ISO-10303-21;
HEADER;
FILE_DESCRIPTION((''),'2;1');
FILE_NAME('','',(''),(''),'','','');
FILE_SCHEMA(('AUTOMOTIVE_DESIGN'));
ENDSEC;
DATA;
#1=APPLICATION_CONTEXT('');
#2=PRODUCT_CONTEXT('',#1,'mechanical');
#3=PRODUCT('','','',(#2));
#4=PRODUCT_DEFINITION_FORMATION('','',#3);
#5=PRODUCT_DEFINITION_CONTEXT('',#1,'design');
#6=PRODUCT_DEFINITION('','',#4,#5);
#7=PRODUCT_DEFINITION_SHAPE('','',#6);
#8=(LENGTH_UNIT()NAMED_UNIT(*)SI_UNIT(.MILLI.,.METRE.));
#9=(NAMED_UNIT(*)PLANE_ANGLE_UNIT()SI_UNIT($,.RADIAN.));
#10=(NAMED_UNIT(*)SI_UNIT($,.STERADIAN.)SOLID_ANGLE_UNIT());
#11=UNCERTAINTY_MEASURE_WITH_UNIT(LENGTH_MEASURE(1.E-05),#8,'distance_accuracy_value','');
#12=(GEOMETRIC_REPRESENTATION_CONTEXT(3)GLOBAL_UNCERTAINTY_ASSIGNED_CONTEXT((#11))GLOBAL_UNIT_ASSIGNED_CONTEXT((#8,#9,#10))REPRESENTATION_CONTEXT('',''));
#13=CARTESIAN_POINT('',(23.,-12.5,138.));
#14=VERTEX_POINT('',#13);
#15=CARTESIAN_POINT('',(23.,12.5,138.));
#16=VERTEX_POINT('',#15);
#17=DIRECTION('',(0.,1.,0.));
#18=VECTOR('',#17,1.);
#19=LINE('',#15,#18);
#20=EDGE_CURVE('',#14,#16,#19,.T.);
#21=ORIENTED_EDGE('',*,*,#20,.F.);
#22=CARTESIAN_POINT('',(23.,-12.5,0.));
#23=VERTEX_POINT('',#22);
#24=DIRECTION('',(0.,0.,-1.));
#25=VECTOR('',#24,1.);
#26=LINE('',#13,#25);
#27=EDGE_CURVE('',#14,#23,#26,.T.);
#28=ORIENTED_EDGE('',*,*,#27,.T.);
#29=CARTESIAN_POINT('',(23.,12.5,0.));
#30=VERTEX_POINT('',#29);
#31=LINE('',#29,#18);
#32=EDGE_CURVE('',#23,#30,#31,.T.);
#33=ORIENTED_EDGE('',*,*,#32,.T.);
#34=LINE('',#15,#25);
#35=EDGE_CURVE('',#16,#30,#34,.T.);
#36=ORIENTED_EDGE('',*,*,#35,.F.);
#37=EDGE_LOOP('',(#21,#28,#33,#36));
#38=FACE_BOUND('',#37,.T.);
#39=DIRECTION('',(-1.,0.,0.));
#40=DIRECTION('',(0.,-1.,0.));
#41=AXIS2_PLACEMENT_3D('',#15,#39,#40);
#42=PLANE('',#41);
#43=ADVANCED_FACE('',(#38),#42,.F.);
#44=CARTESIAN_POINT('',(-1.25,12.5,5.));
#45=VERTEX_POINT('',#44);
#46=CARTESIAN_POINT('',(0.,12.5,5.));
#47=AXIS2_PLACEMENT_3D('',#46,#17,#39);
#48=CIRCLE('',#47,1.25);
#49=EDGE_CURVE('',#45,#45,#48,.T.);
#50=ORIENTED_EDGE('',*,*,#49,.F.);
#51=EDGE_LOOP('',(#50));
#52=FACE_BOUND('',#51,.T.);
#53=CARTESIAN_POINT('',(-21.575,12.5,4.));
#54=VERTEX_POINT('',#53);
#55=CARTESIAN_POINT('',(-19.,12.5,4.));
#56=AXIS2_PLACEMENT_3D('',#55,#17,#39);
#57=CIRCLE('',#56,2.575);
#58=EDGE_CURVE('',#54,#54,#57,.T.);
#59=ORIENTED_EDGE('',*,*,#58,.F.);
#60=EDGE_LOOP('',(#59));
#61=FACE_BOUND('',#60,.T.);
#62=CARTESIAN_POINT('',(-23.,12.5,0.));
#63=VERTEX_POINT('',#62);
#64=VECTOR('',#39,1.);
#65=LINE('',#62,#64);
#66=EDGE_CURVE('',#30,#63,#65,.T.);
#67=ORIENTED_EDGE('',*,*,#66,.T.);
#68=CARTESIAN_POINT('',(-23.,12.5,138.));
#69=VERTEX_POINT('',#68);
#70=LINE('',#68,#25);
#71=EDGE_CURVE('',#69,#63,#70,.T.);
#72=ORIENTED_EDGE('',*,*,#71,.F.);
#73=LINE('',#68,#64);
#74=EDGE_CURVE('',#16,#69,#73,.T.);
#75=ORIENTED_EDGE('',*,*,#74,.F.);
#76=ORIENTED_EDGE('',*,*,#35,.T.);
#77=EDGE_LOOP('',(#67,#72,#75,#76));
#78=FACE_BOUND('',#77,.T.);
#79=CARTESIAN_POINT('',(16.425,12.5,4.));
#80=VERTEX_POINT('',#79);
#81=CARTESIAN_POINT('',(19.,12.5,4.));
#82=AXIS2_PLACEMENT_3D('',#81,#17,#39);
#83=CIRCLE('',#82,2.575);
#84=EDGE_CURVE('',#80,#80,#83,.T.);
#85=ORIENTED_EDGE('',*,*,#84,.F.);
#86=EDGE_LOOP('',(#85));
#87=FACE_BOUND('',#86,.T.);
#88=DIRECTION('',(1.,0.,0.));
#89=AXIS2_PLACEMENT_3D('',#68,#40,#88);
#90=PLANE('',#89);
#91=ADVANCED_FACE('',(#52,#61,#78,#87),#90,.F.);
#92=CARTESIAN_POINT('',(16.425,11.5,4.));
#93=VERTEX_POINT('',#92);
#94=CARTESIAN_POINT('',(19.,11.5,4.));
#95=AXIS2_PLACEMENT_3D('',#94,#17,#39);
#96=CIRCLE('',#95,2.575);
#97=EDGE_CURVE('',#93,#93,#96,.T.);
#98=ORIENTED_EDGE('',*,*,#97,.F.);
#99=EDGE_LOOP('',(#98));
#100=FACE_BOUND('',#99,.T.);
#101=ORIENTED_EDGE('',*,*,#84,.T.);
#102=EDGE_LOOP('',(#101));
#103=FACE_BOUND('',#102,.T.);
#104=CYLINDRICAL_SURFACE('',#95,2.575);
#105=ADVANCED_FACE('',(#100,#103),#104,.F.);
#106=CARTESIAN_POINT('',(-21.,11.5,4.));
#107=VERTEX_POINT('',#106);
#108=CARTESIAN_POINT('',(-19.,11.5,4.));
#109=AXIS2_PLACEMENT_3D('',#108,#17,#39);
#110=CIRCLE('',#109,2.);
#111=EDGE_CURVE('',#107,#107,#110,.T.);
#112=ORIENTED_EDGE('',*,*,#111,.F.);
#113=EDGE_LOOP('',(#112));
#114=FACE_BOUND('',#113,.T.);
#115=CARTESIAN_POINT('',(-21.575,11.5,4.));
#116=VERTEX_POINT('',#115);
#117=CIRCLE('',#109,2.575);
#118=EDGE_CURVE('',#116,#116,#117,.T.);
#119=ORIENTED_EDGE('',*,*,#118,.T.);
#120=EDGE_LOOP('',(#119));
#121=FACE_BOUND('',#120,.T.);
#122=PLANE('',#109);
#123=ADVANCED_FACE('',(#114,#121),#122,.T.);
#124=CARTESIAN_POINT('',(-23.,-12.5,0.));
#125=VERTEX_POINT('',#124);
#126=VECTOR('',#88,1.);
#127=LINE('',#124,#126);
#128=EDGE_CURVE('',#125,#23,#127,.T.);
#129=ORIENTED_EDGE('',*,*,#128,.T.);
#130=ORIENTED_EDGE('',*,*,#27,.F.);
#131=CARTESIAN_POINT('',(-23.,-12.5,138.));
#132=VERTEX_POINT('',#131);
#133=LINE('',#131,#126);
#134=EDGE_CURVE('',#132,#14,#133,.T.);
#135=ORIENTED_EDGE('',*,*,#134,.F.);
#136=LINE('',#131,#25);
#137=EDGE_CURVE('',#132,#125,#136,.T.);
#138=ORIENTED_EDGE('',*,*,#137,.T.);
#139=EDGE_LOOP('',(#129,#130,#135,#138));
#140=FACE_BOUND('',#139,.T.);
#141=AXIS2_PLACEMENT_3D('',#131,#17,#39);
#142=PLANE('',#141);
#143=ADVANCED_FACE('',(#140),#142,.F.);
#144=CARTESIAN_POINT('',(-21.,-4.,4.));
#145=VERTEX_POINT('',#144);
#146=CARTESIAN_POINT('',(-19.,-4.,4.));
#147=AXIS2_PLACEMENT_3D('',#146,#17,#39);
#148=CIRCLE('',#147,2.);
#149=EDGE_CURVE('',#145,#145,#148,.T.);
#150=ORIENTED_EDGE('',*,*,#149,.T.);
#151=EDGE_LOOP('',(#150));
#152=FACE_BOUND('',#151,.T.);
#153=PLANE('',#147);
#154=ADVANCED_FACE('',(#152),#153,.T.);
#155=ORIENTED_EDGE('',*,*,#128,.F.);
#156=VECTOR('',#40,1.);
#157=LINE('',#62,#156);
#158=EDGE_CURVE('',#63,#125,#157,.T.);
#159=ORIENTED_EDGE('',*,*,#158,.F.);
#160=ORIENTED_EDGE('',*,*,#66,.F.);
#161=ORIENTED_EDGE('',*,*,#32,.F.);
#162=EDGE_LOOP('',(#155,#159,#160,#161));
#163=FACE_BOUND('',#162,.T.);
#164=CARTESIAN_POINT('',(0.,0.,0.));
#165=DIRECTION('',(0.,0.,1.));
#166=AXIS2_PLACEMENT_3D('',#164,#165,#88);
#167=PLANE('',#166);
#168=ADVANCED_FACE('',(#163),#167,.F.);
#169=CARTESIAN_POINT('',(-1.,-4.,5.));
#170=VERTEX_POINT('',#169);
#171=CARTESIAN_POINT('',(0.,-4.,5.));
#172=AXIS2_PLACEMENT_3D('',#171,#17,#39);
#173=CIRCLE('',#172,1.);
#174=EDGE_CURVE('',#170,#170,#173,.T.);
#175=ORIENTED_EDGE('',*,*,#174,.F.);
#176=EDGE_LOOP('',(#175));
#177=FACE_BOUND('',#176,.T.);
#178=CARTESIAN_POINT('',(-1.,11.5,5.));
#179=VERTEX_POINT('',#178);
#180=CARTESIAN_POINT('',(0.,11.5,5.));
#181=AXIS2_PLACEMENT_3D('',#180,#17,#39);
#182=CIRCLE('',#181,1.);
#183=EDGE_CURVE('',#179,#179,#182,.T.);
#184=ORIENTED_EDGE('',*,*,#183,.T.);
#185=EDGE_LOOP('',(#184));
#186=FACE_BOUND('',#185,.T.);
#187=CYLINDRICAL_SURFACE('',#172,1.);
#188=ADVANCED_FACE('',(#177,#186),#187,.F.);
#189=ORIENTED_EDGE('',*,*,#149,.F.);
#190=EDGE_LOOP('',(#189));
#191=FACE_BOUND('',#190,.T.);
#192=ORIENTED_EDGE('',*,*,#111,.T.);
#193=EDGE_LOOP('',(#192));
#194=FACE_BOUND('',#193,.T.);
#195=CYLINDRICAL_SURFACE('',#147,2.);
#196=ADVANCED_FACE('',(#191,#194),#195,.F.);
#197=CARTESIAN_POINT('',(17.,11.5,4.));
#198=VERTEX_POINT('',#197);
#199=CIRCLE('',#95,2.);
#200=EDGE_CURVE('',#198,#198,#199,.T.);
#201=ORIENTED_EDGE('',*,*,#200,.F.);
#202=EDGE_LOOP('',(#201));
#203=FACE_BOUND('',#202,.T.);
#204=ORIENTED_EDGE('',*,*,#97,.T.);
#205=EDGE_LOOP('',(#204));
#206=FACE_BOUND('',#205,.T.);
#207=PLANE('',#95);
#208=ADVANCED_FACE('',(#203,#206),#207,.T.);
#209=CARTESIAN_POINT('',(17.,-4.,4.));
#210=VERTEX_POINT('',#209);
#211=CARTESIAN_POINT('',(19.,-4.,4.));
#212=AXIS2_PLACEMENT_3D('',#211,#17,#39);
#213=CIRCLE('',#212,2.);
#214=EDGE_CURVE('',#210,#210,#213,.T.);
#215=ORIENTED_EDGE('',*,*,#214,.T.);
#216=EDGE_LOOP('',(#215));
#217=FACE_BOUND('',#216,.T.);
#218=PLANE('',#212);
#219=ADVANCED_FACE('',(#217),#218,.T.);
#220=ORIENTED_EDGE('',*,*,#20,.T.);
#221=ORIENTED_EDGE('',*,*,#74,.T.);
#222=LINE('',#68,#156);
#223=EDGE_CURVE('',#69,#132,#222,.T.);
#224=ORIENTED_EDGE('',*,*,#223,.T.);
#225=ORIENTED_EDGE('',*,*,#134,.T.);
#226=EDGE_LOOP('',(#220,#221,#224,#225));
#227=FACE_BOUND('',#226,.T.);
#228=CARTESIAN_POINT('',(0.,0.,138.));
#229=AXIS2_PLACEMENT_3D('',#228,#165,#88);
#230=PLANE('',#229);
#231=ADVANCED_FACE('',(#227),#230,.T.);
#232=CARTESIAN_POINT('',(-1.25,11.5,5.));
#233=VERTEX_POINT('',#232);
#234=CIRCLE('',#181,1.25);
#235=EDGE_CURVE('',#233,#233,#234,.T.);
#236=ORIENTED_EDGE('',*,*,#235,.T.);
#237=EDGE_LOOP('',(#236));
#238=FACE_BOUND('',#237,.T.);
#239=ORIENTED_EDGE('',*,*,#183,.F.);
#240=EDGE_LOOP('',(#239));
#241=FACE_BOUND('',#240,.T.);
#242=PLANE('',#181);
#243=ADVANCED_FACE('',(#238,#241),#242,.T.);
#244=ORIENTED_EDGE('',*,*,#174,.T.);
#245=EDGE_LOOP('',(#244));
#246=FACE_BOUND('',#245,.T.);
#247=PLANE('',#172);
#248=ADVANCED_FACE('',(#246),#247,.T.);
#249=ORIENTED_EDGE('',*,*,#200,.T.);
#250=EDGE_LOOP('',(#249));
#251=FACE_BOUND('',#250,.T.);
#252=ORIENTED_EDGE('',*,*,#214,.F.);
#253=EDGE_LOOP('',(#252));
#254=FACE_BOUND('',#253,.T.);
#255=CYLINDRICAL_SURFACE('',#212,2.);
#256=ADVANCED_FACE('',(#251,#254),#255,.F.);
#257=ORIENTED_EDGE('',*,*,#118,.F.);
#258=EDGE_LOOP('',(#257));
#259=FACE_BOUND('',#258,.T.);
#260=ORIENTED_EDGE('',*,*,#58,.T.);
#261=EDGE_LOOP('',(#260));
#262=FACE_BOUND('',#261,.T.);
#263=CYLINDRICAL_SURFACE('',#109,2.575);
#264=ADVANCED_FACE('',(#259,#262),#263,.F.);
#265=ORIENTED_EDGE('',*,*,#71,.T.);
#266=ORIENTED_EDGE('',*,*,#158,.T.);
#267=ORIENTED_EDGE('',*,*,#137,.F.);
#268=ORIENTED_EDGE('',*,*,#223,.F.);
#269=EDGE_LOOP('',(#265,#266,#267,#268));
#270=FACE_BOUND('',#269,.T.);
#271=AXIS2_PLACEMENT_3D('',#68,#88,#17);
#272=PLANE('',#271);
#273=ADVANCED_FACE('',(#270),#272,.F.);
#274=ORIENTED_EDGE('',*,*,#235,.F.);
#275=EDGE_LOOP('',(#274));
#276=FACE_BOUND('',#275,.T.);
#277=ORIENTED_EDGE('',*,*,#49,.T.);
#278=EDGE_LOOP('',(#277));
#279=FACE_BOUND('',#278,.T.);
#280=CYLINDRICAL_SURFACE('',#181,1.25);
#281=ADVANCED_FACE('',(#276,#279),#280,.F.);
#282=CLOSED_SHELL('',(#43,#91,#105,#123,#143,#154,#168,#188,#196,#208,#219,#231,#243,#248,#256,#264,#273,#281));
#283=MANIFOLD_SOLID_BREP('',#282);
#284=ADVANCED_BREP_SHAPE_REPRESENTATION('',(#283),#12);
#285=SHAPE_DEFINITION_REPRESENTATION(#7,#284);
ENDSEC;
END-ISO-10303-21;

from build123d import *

# Parameters (mm, degrees)
SKETCH2_W           = 46
SKETCH2_H           = 25
BOSS_EXTRUDE1_DEPTH = 138
SKETCH3_R           = 2.575
SKETCH3_R_2         = 1.25
CUT_EXTRUDE1_DEPTH  = 1
SKETCH4_R           = 2
SKETCH4_R_2         = 1
CUT_EXTRUDE2_DEPTH  = 16.5


with BuildPart() as part:
    # Sketch2 → Boss-Extrude1 (new body)
    with BuildSketch(Plane.XY):
        Rectangle(SKETCH2_W, SKETCH2_H)
    extrude(amount=BOSS_EXTRUDE1_DEPTH)

    # Sketch3 → Cut-Extrude1 (cut)
    with BuildSketch(Plane(origin=(0, 12.5, 0), x_dir=(1, 0, 0), z_dir=(0, 1, 0))):
        with Locations((-19, -4)):
            Circle(SKETCH3_R)
        with Locations((0, -5)):
            Circle(SKETCH3_R_2)
        with Locations((19, -4)):
            Circle(SKETCH3_R)
    extrude(amount=-CUT_EXTRUDE1_DEPTH, mode=Mode.SUBTRACT)

    # Sketch4 → Cut-Extrude2 (cut)
    with BuildSketch(Plane(origin=(0, 12.5, 0), x_dir=(1, 0, 0), z_dir=(0, 1, 0))):
        with Locations((-19, -4)):
            Circle(SKETCH4_R)
        with Locations((19, -4)):
            Circle(SKETCH4_R)
        with Locations((0, -5)):
            Circle(SKETCH4_R_2)
    extrude(amount=-CUT_EXTRUDE2_DEPTH, mode=Mode.SUBTRACT)


solid = part.part
